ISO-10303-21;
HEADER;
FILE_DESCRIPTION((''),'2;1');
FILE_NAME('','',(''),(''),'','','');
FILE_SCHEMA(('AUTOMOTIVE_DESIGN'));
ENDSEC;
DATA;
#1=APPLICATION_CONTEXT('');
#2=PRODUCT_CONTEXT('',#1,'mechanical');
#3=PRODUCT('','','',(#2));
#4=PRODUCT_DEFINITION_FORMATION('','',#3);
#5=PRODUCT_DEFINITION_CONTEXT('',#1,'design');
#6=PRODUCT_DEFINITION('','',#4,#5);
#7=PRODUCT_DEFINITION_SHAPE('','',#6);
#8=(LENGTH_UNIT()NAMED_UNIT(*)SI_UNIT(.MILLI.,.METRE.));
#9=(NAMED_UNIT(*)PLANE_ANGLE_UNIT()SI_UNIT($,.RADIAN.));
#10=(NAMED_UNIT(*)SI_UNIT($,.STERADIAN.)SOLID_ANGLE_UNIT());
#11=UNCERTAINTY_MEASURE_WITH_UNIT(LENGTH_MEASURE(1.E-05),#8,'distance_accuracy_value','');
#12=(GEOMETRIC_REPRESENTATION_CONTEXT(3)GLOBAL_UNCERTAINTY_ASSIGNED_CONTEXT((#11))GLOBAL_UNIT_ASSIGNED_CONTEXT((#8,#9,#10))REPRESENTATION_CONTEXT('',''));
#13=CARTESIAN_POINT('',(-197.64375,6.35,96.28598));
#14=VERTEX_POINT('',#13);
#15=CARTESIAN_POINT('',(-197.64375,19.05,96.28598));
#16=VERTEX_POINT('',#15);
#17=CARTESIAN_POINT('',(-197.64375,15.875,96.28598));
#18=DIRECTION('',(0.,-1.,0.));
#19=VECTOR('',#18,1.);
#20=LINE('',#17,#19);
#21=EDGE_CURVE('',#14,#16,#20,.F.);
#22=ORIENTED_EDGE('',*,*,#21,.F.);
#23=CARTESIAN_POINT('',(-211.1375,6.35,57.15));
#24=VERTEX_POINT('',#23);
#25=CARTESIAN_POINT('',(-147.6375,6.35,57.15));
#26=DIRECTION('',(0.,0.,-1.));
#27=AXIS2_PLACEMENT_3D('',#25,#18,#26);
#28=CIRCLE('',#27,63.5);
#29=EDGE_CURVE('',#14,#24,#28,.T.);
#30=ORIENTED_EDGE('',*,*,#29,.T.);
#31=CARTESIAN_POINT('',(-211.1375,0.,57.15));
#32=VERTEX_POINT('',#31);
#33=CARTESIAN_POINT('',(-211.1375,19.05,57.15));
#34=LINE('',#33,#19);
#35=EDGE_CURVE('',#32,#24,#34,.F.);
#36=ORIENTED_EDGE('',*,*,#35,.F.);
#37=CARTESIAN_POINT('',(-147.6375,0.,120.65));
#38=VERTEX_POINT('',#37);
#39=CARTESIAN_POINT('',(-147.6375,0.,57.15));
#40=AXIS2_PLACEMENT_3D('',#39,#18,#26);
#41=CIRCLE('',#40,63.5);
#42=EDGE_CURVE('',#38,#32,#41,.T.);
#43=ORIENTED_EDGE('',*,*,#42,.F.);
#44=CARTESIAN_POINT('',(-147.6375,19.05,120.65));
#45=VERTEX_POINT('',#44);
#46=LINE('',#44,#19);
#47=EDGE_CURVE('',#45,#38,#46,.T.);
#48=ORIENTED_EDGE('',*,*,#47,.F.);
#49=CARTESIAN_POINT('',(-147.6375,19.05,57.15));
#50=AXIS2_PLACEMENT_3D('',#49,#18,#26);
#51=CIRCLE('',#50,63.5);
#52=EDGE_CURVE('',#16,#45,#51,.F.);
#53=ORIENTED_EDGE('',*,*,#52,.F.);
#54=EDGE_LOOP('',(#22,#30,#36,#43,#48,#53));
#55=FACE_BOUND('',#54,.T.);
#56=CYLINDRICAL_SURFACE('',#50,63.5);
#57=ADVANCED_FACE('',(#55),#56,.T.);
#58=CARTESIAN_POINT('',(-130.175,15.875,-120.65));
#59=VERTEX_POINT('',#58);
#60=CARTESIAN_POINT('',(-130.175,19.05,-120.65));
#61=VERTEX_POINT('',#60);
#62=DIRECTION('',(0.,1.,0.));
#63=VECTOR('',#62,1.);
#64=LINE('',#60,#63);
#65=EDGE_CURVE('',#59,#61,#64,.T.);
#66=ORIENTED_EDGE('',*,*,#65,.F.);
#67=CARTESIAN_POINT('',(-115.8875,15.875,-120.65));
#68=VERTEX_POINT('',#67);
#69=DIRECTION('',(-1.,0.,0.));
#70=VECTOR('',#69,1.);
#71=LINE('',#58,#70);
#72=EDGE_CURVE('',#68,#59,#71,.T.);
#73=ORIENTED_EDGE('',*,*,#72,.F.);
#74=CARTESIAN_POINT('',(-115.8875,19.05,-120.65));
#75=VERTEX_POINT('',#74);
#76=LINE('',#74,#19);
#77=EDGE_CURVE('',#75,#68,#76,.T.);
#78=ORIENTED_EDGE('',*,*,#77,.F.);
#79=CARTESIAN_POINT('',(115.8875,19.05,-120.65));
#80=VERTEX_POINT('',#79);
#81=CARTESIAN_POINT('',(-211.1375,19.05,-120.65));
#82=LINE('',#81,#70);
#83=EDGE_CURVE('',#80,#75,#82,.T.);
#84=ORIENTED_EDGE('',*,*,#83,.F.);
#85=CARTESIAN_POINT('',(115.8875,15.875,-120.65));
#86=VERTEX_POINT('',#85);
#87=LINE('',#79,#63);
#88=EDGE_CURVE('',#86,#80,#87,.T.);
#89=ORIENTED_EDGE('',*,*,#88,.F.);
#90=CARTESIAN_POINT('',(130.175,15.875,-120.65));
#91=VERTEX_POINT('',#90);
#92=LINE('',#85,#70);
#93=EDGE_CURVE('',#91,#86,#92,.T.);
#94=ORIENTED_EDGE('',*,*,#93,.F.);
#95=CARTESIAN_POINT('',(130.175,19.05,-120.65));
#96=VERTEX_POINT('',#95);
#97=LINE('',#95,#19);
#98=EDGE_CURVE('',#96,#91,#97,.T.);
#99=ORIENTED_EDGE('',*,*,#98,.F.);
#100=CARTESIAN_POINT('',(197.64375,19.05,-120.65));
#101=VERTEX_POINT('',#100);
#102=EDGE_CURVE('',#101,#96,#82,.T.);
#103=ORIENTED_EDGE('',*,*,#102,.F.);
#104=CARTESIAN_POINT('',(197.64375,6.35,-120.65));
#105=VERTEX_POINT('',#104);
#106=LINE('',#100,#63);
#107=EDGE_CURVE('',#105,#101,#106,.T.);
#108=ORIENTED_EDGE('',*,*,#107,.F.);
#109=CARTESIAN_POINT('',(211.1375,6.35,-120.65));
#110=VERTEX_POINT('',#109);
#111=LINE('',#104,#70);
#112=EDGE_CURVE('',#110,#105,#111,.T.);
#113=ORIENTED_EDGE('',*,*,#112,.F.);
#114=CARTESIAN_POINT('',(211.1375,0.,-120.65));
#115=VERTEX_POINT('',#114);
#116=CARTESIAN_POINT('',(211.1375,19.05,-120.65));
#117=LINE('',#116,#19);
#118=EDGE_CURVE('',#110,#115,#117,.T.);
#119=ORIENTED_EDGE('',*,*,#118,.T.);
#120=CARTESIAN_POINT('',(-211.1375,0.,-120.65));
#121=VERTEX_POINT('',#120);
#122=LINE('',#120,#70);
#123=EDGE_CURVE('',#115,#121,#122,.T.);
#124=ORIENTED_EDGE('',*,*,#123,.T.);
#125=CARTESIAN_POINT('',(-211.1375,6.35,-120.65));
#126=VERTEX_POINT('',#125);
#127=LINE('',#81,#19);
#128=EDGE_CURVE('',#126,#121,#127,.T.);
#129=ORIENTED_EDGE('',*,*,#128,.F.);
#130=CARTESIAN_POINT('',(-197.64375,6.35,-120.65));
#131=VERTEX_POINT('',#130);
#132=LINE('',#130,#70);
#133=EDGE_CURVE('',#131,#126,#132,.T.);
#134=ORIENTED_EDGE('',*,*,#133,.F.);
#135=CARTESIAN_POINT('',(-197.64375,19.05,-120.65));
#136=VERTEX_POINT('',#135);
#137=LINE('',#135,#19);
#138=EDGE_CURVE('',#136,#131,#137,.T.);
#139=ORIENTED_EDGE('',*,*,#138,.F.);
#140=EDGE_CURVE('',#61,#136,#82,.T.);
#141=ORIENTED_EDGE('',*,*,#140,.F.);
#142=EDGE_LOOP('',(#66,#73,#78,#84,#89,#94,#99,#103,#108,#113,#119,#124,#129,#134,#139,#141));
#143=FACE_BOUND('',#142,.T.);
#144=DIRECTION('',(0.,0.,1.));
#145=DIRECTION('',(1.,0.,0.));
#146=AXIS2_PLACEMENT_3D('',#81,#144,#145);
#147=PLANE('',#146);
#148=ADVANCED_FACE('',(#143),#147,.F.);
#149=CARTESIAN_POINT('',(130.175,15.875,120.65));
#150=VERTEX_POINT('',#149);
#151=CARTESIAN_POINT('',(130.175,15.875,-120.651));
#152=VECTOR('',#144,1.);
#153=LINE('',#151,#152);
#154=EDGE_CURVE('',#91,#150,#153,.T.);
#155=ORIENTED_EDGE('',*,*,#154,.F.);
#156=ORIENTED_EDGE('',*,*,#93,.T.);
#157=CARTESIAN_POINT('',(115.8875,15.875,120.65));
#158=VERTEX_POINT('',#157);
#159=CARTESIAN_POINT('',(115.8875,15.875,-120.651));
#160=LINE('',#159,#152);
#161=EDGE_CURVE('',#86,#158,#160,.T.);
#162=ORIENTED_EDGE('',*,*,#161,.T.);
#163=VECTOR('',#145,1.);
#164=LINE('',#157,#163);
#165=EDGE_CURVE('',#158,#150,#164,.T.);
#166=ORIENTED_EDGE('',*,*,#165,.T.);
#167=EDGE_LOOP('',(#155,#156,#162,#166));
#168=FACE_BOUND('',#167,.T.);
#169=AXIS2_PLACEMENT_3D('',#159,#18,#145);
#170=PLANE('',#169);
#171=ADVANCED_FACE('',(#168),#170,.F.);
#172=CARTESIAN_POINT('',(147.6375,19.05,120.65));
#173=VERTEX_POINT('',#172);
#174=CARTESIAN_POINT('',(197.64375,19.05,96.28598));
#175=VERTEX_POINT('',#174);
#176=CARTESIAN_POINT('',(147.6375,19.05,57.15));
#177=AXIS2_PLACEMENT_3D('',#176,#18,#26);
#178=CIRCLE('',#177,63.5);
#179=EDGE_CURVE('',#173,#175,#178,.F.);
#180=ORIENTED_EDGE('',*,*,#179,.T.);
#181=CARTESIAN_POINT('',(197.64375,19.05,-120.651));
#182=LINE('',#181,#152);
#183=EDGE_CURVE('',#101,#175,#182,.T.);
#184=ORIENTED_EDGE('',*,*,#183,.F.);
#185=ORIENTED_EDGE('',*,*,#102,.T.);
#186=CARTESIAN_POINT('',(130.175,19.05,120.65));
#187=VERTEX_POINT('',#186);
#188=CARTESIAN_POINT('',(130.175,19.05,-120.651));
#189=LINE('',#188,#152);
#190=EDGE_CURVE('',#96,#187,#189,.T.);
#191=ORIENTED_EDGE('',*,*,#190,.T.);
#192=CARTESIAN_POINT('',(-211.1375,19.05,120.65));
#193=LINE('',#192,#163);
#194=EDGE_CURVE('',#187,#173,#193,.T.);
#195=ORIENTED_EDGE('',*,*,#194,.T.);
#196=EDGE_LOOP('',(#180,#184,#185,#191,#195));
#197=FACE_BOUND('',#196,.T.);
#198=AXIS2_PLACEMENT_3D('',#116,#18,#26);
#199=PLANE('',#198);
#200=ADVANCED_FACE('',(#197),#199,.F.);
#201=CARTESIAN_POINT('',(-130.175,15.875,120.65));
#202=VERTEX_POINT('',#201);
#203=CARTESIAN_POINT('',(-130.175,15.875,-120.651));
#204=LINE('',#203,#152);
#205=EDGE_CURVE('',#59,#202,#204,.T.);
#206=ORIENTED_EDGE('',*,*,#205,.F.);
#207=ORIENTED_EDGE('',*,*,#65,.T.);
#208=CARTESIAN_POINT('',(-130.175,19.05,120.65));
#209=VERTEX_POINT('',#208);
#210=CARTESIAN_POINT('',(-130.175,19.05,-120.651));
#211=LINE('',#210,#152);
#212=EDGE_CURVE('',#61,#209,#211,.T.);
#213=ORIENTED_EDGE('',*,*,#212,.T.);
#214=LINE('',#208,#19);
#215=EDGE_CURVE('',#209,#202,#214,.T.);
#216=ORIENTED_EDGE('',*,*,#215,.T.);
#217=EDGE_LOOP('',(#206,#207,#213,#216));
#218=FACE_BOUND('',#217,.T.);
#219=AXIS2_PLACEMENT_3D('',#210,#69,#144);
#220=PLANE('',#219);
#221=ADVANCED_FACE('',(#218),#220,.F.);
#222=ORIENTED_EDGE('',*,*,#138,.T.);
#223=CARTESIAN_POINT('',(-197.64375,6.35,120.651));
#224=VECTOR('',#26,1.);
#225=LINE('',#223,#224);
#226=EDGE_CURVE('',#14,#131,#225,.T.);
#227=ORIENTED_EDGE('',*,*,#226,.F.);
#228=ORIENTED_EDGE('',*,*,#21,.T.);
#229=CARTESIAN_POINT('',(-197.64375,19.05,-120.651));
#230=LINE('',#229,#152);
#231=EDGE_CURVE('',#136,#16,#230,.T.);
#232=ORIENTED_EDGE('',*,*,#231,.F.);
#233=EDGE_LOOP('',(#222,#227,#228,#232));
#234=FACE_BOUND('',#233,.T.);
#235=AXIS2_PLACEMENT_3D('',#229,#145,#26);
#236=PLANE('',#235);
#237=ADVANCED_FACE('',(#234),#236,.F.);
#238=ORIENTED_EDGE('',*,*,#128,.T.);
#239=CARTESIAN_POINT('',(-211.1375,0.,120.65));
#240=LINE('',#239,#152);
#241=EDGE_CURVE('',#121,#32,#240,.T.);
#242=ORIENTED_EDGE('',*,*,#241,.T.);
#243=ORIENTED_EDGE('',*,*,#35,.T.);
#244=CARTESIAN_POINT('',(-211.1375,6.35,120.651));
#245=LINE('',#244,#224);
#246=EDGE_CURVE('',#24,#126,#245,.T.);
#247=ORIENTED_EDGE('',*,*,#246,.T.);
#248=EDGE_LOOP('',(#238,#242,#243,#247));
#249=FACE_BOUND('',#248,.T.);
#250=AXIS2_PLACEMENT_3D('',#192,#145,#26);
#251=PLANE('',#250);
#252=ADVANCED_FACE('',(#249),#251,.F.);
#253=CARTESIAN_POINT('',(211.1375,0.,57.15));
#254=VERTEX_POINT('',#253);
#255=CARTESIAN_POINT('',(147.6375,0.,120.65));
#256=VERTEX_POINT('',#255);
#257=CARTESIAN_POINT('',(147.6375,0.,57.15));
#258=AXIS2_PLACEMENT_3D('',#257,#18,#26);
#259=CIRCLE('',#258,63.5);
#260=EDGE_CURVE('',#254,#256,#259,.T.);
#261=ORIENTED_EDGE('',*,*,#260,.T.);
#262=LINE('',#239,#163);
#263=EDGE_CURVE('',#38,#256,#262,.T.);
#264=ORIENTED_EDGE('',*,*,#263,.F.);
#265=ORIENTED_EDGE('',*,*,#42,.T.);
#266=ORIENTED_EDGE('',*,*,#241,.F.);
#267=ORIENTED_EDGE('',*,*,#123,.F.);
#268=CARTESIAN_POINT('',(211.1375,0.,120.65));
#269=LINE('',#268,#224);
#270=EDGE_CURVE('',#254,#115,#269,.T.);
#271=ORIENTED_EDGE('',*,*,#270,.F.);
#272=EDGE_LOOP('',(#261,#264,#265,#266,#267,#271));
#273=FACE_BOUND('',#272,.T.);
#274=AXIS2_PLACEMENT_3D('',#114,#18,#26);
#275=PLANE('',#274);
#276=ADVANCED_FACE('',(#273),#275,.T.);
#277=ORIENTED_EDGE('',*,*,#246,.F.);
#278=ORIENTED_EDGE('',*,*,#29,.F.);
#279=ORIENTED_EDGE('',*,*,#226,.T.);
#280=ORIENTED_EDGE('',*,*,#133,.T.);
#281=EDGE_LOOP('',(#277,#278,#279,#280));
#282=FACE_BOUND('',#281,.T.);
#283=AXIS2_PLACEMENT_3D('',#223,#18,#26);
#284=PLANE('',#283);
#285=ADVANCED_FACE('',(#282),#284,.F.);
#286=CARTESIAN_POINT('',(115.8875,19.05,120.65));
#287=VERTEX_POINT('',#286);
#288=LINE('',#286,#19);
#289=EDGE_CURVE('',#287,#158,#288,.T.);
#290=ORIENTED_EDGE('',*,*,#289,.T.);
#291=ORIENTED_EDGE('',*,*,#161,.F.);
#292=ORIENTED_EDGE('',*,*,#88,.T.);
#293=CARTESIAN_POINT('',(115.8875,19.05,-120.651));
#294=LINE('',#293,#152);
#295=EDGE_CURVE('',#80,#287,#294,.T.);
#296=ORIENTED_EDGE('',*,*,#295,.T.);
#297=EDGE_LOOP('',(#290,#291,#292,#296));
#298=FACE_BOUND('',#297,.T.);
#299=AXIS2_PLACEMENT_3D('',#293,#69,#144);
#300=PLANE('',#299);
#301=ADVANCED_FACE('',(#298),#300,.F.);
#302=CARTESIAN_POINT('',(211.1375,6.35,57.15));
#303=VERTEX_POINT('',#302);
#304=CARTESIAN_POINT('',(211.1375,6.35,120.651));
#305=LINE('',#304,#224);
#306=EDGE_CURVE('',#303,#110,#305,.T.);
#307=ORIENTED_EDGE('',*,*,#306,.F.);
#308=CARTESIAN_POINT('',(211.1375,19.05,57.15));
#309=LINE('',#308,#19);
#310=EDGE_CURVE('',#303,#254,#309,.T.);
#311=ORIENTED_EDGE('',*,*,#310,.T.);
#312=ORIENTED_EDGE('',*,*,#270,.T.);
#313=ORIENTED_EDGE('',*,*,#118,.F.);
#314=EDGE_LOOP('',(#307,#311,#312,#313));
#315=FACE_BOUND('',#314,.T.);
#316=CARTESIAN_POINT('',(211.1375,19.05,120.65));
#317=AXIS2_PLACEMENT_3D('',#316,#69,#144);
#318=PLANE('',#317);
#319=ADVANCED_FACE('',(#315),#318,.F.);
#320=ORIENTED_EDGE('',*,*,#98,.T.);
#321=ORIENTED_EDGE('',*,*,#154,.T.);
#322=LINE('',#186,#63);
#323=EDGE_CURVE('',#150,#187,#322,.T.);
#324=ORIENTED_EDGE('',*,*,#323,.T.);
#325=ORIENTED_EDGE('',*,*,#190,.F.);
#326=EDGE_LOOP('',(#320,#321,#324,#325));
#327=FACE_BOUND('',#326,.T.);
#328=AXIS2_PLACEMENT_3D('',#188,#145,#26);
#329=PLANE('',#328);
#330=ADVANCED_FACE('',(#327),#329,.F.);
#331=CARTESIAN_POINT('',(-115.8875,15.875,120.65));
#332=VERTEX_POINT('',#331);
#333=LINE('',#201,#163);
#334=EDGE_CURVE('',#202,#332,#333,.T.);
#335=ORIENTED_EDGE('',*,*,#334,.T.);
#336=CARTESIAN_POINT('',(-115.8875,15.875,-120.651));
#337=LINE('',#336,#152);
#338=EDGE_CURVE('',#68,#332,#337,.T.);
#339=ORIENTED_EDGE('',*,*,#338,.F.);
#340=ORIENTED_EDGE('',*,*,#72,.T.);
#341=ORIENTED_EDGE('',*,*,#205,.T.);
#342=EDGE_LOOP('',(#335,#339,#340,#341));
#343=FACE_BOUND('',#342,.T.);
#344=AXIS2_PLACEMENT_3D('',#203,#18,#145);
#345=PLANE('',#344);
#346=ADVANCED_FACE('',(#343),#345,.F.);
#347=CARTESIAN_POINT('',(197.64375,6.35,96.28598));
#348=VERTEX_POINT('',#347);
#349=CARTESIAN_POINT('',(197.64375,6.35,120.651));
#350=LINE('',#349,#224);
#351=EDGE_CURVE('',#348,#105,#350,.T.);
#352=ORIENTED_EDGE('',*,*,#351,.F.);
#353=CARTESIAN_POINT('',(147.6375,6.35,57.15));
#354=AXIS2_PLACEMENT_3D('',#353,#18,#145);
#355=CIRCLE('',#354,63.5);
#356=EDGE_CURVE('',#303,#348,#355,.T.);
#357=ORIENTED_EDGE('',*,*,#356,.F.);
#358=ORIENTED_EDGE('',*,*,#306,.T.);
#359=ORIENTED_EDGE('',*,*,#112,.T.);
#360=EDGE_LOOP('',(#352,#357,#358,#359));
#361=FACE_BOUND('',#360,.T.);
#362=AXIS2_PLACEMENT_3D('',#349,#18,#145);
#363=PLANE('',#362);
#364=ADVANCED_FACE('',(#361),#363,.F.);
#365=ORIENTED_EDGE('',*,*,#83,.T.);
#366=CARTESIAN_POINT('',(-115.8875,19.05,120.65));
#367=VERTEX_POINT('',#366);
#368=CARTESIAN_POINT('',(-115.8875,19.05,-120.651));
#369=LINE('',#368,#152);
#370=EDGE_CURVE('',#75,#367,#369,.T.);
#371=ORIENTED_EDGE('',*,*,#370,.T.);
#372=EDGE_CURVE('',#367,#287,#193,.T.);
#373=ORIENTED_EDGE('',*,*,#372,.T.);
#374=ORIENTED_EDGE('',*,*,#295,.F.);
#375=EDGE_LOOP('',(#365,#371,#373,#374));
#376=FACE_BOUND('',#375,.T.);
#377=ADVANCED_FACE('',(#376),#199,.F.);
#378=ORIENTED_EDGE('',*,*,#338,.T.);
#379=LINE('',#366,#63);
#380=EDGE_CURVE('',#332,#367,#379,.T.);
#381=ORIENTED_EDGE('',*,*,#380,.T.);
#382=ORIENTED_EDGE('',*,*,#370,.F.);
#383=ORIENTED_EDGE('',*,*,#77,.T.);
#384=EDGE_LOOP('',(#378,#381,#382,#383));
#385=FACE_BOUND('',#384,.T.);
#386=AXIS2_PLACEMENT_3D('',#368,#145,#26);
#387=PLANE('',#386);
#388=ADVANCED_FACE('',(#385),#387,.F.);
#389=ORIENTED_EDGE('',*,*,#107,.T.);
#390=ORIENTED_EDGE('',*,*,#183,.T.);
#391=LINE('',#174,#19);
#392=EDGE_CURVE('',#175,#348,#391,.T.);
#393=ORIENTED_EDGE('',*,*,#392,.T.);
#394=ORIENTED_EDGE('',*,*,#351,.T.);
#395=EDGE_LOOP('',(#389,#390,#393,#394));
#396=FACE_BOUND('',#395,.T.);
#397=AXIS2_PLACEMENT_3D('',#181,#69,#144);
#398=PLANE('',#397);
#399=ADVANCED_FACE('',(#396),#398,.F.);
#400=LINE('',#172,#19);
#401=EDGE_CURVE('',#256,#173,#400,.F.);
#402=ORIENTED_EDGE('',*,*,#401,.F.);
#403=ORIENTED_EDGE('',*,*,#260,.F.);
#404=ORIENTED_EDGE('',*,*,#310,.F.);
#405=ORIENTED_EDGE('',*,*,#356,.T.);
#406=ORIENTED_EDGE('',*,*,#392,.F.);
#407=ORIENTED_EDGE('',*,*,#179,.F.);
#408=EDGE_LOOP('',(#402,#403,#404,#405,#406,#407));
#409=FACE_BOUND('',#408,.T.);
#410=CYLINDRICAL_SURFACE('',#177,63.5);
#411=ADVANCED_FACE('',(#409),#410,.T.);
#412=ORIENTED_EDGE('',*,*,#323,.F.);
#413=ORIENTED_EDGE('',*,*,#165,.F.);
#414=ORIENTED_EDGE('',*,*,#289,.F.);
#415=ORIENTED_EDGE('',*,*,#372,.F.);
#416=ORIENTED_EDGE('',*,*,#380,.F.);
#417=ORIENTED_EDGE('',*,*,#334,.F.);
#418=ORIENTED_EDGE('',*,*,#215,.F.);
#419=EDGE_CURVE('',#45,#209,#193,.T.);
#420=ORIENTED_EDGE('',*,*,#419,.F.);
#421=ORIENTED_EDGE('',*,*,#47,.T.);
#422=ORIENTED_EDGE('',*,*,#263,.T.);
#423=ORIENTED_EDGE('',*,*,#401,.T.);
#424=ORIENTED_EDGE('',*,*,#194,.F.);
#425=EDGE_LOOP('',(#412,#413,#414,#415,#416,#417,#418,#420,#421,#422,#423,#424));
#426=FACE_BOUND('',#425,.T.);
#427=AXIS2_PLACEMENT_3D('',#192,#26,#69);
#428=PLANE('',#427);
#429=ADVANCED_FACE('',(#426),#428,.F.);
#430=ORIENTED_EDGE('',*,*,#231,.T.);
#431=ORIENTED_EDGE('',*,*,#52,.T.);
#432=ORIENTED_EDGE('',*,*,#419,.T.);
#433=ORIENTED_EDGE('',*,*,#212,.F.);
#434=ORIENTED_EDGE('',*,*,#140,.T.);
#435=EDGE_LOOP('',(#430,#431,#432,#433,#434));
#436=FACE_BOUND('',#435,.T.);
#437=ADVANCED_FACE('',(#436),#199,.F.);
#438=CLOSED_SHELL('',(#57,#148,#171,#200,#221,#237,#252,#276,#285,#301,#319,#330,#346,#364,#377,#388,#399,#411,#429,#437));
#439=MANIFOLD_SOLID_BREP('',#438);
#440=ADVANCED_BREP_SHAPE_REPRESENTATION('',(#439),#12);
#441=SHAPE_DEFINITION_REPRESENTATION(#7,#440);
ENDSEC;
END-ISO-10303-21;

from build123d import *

# Parameters (mm, degrees)
SKETCH1_W           = 422.275
SKETCH1_H           = 241.3
BOSS_EXTRUDE1_DEPTH = 19.05
CUT_EXTRUDE1_REACH  = 323.197
SKETCH2_W           = 13.49375
SKETCH2_H           = 3.175
SKETCH2_W_2         = 14.2875
FILLET1_R           = 63.5
CUT_EXTRUDE2_REACH  = 323.197
SKETCH3_W           = 13.49375
SKETCH3_H           = 9.525


with BuildPart() as part:
    # Sketch1 → Boss-Extrude1 (new body)
    with BuildSketch(Plane(origin=(0, 0, 0), x_dir=(1, 0, 0), z_dir=(0, 1, 0))):
        Rectangle(SKETCH1_W, SKETCH1_H)
    extrude(amount=BOSS_EXTRUDE1_DEPTH)

    # Sketch2 → Cut-Extrude1 (cut, up to next)
    with BuildSketch(Plane.XY.offset(120.65), mode=Mode.PRIVATE) as cut_extrude1_sk1:
        with Locations((-204.390625, 17.4625)):
            Rectangle(SKETCH2_W, SKETCH2_H)
    cut_extrude1_tool1 = extrude(cut_extrude1_sk1.sketch, amount=-CUT_EXTRUDE1_REACH, mode=Mode.PRIVATE) & part.part
    # Sketch2 → Cut-Extrude1 (cut, up to next)
    with BuildSketch(Plane.XY.offset(120.65), mode=Mode.PRIVATE) as cut_extrude1_sk2:
        with Locations((-123.03125, 17.4625)):
            Rectangle(SKETCH2_W_2, SKETCH2_H)
    cut_extrude1_tool2 = extrude(cut_extrude1_sk2.sketch, amount=-CUT_EXTRUDE1_REACH, mode=Mode.PRIVATE) & part.part
    # Sketch2 → Cut-Extrude1 (cut, up to next)
    with BuildSketch(Plane.XY.offset(120.65), mode=Mode.PRIVATE) as cut_extrude1_sk3:
        with Locations((123.03125, 17.4625)):
            Rectangle(SKETCH2_W_2, SKETCH2_H)
    cut_extrude1_tool3 = extrude(cut_extrude1_sk3.sketch, amount=-CUT_EXTRUDE1_REACH, mode=Mode.PRIVATE) & part.part
    # Sketch2 → Cut-Extrude1 (cut, up to next)
    with BuildSketch(Plane.XY.offset(120.65), mode=Mode.PRIVATE) as cut_extrude1_sk4:
        with Locations((204.390625, 17.4625)):
            Rectangle(SKETCH2_W, SKETCH2_H)
    cut_extrude1_tool4 = extrude(cut_extrude1_sk4.sketch, amount=-CUT_EXTRUDE1_REACH, mode=Mode.PRIVATE) & part.part
    add(cut_extrude1_tool1.solids().sort_by_distance((-204.390625, 17.4625, 120.65))[0], mode=Mode.SUBTRACT)
    add(cut_extrude1_tool2.solids().sort_by_distance((-123.03125, 17.4625, 120.65))[0], mode=Mode.SUBTRACT)
    add(cut_extrude1_tool3.solids().sort_by_distance((123.03125, 17.4625, 120.65))[0], mode=Mode.SUBTRACT)
    add(cut_extrude1_tool4.solids().sort_by_distance((204.390625, 17.4625, 120.65))[0], mode=Mode.SUBTRACT)

    # Fillet1
    fillet1_edges = [part.edges().sort_by_distance(p)[0] for p in [
        (211.1375, 7.9375, 120.65),
        (-211.1375, 7.9375, 120.65),
    ]]
    fillet(fillet1_edges, radius=FILLET1_R)

    # Sketch3 → Cut-Extrude2 (cut, up to next)
    with BuildSketch(Plane(origin=(0, 0, -120.65), x_dir=(-1, 0, 0), z_dir=(0, 0, -1)), mode=Mode.PRIVATE) as cut_extrude2_sk1:
        with Locations((-204.390625, 11.1125)):
            Rectangle(SKETCH3_W, SKETCH3_H)
    cut_extrude2_tool1 = extrude(cut_extrude2_sk1.sketch, amount=-CUT_EXTRUDE2_REACH, mode=Mode.PRIVATE) & part.part
    # Sketch3 → Cut-Extrude2 (cut, up to next)
    with BuildSketch(Plane(origin=(0, 0, -120.65), x_dir=(-1, 0, 0), z_dir=(0, 0, -1)), mode=Mode.PRIVATE) as cut_extrude2_sk2:
        with Locations((204.390625, 11.1125)):
            Rectangle(SKETCH3_W, SKETCH3_H)
    cut_extrude2_tool2 = extrude(cut_extrude2_sk2.sketch, amount=-CUT_EXTRUDE2_REACH, mode=Mode.PRIVATE) & part.part
    add(cut_extrude2_tool1.solids().sort_by_distance((204.390625, 11.1125, -120.65))[0], mode=Mode.SUBTRACT)
    add(cut_extrude2_tool2.solids().sort_by_distance((-204.390625, 11.1125, -120.65))[0], mode=Mode.SUBTRACT)


solid = part.part
